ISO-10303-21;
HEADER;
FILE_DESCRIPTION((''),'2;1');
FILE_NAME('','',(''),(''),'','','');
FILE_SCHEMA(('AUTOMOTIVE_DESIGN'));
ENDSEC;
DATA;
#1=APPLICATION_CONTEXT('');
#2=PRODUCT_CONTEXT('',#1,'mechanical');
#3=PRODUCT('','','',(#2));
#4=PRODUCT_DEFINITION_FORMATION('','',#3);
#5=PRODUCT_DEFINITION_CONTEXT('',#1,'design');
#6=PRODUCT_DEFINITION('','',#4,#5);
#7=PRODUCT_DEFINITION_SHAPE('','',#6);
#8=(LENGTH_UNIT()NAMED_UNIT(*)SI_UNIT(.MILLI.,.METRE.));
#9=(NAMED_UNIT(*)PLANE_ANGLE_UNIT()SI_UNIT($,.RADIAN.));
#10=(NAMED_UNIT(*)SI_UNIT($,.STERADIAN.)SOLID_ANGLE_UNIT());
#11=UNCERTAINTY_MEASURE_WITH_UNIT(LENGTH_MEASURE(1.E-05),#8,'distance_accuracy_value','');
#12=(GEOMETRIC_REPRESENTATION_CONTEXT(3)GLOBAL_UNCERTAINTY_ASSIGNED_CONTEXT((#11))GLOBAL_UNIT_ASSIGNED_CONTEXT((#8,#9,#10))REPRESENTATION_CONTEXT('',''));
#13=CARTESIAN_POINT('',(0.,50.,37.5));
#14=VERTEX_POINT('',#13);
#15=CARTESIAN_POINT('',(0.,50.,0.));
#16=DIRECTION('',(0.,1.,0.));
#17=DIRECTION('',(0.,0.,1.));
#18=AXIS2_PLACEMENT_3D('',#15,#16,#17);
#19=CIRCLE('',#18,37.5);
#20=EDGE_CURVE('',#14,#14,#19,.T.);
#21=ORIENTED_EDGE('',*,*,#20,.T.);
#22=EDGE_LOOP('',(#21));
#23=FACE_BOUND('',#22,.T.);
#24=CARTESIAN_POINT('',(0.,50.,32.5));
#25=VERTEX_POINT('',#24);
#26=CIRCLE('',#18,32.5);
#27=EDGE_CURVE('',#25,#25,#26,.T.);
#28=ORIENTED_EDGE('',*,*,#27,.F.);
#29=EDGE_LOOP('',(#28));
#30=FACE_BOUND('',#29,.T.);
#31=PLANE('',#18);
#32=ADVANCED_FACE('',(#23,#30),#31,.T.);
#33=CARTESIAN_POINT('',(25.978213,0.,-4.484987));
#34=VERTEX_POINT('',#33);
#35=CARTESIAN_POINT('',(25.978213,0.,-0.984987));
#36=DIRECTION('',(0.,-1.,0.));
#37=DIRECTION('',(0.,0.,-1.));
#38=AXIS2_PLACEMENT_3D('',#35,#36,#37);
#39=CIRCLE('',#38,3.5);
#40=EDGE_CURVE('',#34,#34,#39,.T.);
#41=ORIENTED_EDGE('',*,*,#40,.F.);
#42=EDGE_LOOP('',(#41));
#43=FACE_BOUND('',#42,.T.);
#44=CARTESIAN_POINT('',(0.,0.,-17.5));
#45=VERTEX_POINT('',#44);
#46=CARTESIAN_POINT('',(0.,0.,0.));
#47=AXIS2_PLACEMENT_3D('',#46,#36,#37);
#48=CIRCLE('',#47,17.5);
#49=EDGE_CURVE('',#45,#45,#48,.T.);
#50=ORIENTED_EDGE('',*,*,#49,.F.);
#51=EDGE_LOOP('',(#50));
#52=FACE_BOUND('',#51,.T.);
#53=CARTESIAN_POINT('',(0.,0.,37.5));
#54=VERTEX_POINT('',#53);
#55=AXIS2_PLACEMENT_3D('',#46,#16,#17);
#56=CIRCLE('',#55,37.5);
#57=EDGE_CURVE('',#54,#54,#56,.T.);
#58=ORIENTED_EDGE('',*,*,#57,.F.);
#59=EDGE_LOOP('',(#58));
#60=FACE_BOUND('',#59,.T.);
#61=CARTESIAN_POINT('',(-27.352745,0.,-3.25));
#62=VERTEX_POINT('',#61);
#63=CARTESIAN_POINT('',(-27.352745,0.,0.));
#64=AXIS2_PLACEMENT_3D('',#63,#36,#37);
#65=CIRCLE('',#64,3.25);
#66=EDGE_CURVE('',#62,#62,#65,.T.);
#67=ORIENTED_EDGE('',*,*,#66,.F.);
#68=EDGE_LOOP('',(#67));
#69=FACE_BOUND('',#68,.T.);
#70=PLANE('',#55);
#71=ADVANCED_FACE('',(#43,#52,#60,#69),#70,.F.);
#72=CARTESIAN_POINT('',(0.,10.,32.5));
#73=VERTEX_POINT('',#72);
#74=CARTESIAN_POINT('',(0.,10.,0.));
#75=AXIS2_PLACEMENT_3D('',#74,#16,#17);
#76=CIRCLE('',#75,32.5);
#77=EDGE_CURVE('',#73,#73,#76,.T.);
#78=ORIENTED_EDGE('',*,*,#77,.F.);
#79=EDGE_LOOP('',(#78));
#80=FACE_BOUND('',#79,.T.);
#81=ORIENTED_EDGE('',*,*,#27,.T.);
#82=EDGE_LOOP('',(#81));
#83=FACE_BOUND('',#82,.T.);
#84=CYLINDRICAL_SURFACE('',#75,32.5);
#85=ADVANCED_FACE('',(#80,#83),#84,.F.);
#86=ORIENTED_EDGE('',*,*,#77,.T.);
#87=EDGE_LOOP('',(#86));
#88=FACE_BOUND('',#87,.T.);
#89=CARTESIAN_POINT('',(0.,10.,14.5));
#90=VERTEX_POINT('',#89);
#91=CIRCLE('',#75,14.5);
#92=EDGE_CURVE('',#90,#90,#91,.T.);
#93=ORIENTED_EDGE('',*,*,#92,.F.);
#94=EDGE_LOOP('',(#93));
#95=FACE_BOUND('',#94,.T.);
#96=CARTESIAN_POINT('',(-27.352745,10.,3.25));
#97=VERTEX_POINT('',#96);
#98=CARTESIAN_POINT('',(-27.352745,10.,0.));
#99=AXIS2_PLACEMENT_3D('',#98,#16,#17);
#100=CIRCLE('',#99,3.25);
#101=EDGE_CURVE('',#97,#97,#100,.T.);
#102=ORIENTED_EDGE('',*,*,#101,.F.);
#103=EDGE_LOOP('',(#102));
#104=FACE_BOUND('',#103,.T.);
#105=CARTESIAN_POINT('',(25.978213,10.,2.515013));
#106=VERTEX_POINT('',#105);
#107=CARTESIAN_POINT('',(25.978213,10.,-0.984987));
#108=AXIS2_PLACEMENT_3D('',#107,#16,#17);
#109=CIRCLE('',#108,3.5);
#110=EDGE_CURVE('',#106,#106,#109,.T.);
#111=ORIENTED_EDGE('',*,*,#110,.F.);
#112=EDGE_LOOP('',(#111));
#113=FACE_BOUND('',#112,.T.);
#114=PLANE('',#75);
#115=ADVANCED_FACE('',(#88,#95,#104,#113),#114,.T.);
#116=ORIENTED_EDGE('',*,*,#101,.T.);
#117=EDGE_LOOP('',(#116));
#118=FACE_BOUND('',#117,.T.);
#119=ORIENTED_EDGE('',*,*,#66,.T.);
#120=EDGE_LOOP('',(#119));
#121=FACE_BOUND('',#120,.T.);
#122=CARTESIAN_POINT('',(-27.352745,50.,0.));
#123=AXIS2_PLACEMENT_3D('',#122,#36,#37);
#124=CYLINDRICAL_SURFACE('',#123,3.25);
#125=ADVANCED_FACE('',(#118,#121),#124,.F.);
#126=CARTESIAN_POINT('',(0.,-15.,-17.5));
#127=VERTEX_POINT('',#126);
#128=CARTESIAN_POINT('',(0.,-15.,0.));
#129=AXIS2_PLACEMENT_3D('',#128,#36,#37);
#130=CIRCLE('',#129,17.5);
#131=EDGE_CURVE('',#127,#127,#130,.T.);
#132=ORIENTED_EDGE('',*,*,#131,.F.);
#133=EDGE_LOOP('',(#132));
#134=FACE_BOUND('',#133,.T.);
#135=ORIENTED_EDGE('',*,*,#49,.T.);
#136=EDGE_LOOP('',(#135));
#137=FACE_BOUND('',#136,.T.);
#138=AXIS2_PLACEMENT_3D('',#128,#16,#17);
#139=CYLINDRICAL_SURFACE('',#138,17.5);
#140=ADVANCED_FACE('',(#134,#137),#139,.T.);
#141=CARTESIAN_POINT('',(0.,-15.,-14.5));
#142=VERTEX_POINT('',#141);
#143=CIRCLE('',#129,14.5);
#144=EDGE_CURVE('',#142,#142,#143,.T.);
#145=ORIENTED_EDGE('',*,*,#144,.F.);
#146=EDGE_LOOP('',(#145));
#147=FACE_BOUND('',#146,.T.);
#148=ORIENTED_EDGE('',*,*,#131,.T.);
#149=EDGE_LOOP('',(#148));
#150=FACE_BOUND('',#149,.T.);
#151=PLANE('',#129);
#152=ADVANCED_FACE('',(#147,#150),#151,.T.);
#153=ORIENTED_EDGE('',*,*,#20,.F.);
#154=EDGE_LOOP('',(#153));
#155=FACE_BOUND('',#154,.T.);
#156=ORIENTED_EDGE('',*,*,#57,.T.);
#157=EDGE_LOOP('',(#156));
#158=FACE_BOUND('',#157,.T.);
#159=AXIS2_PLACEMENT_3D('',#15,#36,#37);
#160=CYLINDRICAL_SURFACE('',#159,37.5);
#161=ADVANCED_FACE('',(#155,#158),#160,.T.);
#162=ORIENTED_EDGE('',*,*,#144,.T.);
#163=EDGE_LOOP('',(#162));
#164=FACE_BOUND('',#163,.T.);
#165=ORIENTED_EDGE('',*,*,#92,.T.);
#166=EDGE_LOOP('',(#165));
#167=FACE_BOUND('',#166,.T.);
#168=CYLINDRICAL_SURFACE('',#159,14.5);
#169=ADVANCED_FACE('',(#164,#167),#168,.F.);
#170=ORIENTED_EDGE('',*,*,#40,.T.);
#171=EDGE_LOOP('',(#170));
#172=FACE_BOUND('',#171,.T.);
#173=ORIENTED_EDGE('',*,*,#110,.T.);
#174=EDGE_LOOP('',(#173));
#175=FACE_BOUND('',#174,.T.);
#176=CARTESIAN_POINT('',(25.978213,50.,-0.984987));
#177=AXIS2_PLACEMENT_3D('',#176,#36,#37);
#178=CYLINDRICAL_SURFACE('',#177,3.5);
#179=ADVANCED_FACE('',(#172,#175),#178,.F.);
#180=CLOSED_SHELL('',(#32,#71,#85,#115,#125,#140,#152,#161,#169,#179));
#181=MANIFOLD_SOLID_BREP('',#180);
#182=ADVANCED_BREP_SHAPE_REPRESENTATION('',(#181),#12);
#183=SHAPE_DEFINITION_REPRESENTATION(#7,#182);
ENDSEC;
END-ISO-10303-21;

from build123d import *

# Parameters (mm, degrees)
SKETCH_1_R          = 37.5
EXTRUDE_1_DEPTH     = 50
SKETCH_2_R          = 32.5
CUT_EXTRUDE_1_DEPTH = 40
SKETCH_3_R          = 17.5
EXTRUDE_2_DEPTH     = 15
SKETCH_4_R          = 14.5
CUT_EXTRUDE_3_DEPTH = 84.889808678
SKETCH_6_R          = 3.5
CUT_EXTRUDE_4_DEPTH = 73.886898686
SKETCH_8_R          = 3.25
CUT_EXTRUDE_5_DEPTH = 73.886898686


with BuildPart() as part:
    # 草图1 → 凸台-拉伸1 (new body)
    with BuildSketch(Plane(origin=(0, 0, 0), x_dir=(1, 0, 0), z_dir=(0, 1, 0))):
        with Locations(Location((0, 0, 0), (0, 0, 270))):
            Circle(SKETCH_1_R)
    extrude(amount=EXTRUDE_1_DEPTH)

    # 草图2 → 切除-拉伸1 (cut)
    with BuildSketch(Plane(origin=(0, 50, 0), x_dir=(1, 0, 0), z_dir=(0, 1, 0))):
        with Locations(Location((0, 0, 0), (0, 0, 270))):
            Circle(SKETCH_2_R)
    extrude(amount=-CUT_EXTRUDE_1_DEPTH, mode=Mode.SUBTRACT)

    # 草图3 → 凸台-拉伸2 (add)
    with BuildSketch(Plane.XZ):
        with Locations(Location((0, 0, 0), (0, 0, 270))):
            Circle(SKETCH_3_R)
    extrude(amount=EXTRUDE_2_DEPTH)

    # 草图4 → 切除-拉伸3 (cut, through all)
    with BuildSketch(Plane(origin=(0, -15, 0), x_dir=(-1, 0, 0), z_dir=(0, -1, 0))):
        with Locations(Location((0, 0, 0), (0, 0, 90))):
            Circle(SKETCH_4_R)
    extrude(amount=-CUT_EXTRUDE_3_DEPTH, mode=Mode.SUBTRACT)

    # 草图6 → 切除-拉伸4 (cut, through all)
    with BuildSketch(Plane(origin=(0, 0, 0), x_dir=(-1, 0, 0), z_dir=(0, -1, 0))):
        with Locations(Location((-25.978212638, 0.984986916, 0), (0, 0, 90))):
            Circle(SKETCH_6_R)
    extrude(amount=-CUT_EXTRUDE_4_DEPTH, mode=Mode.SUBTRACT)

    # 草图8 → 切除-拉伸5 (cut, through all)
    with BuildSketch(Plane.XZ):
        with Locations(Location((-27.352744553, 0, 0), (0, 0, 270))):
            Circle(SKETCH_8_R)
    extrude(amount=-CUT_EXTRUDE_5_DEPTH, mode=Mode.SUBTRACT)


solid = part.part
